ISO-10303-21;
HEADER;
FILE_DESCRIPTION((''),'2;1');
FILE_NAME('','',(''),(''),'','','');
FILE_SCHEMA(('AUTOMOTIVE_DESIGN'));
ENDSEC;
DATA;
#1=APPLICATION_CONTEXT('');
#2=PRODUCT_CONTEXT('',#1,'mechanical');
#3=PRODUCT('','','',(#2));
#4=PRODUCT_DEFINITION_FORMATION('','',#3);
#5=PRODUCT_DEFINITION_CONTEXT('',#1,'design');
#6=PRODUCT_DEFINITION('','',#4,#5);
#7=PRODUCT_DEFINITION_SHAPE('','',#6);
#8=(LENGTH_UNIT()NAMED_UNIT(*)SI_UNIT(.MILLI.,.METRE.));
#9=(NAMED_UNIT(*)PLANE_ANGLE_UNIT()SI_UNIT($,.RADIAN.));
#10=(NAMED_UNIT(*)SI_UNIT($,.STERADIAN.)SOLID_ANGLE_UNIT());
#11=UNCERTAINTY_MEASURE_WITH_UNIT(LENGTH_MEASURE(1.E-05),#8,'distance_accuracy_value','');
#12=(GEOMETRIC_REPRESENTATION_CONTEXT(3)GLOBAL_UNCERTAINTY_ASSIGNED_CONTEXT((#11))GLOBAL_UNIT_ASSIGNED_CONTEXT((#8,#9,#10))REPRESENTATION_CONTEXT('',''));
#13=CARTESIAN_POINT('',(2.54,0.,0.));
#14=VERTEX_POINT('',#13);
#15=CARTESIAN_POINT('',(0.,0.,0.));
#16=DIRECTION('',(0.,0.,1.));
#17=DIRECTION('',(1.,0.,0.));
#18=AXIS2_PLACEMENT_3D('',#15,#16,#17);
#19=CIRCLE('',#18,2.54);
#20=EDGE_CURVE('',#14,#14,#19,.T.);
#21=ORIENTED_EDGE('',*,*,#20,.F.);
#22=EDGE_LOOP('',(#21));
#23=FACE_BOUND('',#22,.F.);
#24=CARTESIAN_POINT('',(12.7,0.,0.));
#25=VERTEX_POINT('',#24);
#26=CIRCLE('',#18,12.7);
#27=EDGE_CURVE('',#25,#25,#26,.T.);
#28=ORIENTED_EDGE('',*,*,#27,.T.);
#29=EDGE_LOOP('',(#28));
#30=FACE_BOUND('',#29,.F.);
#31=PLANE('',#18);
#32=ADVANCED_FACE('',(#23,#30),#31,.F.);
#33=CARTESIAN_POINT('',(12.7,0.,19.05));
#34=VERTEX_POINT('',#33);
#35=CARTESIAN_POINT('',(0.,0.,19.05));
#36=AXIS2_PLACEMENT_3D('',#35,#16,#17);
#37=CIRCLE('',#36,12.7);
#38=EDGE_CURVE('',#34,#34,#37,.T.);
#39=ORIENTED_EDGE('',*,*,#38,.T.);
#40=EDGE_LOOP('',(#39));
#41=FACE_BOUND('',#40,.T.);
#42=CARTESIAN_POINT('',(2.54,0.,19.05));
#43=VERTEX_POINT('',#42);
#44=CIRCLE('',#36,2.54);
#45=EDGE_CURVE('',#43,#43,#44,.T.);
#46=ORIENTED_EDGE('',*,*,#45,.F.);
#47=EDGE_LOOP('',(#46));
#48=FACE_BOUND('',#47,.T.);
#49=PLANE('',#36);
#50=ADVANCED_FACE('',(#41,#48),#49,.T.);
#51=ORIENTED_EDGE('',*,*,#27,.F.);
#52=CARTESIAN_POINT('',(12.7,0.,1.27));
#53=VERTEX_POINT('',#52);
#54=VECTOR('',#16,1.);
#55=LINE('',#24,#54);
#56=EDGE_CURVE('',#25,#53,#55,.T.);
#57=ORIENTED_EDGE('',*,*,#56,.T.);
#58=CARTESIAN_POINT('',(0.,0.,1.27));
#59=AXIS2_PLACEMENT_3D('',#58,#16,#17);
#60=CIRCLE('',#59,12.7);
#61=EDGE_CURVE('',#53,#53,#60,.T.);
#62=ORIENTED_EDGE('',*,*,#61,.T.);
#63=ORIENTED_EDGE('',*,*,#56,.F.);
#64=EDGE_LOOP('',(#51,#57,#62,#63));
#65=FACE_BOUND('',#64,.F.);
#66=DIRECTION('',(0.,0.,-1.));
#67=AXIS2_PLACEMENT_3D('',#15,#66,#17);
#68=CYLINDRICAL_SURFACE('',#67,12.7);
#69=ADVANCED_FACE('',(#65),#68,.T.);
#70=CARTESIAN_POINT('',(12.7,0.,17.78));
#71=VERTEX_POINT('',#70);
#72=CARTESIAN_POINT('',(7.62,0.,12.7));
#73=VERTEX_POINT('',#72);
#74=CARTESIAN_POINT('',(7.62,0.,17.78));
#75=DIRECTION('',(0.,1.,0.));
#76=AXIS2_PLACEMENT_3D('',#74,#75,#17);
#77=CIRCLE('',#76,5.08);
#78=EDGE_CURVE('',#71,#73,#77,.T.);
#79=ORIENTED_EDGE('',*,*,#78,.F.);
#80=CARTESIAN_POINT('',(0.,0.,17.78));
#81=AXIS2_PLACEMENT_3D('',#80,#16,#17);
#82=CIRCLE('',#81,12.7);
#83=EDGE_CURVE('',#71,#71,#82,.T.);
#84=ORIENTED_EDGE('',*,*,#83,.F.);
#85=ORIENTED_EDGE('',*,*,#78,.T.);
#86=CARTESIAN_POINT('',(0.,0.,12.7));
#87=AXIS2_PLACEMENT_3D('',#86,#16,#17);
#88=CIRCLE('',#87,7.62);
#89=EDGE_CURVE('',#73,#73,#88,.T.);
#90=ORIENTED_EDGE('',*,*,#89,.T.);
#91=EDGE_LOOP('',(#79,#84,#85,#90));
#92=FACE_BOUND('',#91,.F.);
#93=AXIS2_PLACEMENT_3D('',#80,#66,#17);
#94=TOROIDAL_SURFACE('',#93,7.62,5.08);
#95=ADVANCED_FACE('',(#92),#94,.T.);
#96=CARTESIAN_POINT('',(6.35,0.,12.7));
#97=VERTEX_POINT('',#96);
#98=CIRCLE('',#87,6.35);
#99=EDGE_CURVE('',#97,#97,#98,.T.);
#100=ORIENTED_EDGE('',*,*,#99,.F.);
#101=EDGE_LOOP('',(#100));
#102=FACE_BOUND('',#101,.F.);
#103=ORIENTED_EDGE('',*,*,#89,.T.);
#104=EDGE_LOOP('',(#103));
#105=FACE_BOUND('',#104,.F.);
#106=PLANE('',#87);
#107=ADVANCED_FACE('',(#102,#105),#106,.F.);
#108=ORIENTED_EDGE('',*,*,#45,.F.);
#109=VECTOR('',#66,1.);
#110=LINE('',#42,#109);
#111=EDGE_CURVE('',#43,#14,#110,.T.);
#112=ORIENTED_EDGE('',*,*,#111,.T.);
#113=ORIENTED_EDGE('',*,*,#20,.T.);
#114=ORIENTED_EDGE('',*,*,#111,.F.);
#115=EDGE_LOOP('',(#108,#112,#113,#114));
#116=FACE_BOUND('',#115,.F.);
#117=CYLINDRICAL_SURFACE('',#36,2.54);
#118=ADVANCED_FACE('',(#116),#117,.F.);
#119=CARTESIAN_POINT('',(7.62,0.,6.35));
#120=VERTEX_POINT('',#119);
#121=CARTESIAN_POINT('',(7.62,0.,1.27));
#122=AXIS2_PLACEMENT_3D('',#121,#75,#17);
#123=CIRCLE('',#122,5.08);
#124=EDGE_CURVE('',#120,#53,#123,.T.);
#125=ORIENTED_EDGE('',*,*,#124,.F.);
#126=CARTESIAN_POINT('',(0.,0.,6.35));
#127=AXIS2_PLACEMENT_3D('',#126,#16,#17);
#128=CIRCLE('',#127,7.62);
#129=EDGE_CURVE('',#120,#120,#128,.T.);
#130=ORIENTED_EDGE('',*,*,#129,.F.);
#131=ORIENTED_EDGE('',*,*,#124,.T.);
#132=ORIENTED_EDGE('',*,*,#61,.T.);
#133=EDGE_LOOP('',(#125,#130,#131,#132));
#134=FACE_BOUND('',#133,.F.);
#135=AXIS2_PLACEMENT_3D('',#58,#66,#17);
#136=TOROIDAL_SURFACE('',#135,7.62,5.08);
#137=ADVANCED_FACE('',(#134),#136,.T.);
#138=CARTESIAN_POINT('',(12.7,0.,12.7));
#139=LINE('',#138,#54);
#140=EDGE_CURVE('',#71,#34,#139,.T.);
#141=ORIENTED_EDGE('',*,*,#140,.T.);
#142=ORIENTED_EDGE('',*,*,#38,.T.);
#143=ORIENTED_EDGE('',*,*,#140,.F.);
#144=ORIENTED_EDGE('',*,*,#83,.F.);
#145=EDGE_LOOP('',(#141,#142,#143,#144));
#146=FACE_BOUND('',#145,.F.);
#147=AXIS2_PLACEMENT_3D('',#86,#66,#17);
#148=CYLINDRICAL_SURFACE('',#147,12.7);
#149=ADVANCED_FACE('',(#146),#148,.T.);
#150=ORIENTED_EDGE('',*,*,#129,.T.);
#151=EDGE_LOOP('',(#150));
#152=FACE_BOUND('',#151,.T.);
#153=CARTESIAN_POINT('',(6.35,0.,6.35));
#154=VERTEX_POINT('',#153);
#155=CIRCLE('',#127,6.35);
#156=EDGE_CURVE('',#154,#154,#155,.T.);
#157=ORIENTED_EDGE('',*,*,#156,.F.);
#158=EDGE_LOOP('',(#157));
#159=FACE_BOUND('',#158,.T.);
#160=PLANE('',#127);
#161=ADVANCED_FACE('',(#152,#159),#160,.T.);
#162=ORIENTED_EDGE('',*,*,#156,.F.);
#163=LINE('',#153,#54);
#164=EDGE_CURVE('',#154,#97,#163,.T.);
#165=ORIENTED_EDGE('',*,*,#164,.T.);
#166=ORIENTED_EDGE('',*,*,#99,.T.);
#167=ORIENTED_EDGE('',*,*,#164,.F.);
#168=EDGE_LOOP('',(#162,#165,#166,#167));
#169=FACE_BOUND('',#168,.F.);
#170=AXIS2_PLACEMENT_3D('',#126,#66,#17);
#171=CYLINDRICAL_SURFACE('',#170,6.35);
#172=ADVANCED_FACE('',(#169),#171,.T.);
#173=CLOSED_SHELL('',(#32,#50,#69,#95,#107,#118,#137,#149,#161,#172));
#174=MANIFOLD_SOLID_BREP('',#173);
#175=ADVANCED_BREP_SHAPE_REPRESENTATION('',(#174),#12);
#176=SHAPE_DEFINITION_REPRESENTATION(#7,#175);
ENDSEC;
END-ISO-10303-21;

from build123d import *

# Parameters (mm, degrees)
F0_R     = 12.7
F1_DEPTH = 6.35
F2_R     = 6.35
F3_DEPTH = 6.35
F4_R     = 12.7
F4_R_2   = 6.35
F5_DEPTH = 6.35
F6_R     = 2.54
F7_DEPTH = 19.05
F8_R     = 5.08


with BuildPart() as f1:
    # F0 (on Top) → F1 (new body)
    with BuildSketch(Plane.XY):
        Circle(F0_R)
    extrude(amount=F1_DEPTH)

    # F2 (on face) → F3 (join)
    with BuildSketch(Plane.XY.offset(6.35)):
        Circle(F2_R)
    extrude(amount=F3_DEPTH)

    # F4 (on face) → F5 (join)
    with BuildSketch(Plane.XY.offset(12.7)):
        Circle(F4_R)
        Circle(F4_R_2, mode=Mode.SUBTRACT)
        Circle(F4_R_2)
    extrude(amount=F5_DEPTH)

    # F6 (on face) → F7 (cut)
    with BuildSketch(Plane.XY.offset(19.05)):
        Circle(F6_R)
    extrude(amount=-F7_DEPTH, mode=Mode.SUBTRACT)

    # F8
    f8_edges = [f1.edges().sort_by_distance(p)[0] for p in [
        (-12.7, 0, 12.7),
        (-12.7, 0, 6.35),
    ]]
    fillet(f8_edges, radius=F8_R)


solid = f1.part
